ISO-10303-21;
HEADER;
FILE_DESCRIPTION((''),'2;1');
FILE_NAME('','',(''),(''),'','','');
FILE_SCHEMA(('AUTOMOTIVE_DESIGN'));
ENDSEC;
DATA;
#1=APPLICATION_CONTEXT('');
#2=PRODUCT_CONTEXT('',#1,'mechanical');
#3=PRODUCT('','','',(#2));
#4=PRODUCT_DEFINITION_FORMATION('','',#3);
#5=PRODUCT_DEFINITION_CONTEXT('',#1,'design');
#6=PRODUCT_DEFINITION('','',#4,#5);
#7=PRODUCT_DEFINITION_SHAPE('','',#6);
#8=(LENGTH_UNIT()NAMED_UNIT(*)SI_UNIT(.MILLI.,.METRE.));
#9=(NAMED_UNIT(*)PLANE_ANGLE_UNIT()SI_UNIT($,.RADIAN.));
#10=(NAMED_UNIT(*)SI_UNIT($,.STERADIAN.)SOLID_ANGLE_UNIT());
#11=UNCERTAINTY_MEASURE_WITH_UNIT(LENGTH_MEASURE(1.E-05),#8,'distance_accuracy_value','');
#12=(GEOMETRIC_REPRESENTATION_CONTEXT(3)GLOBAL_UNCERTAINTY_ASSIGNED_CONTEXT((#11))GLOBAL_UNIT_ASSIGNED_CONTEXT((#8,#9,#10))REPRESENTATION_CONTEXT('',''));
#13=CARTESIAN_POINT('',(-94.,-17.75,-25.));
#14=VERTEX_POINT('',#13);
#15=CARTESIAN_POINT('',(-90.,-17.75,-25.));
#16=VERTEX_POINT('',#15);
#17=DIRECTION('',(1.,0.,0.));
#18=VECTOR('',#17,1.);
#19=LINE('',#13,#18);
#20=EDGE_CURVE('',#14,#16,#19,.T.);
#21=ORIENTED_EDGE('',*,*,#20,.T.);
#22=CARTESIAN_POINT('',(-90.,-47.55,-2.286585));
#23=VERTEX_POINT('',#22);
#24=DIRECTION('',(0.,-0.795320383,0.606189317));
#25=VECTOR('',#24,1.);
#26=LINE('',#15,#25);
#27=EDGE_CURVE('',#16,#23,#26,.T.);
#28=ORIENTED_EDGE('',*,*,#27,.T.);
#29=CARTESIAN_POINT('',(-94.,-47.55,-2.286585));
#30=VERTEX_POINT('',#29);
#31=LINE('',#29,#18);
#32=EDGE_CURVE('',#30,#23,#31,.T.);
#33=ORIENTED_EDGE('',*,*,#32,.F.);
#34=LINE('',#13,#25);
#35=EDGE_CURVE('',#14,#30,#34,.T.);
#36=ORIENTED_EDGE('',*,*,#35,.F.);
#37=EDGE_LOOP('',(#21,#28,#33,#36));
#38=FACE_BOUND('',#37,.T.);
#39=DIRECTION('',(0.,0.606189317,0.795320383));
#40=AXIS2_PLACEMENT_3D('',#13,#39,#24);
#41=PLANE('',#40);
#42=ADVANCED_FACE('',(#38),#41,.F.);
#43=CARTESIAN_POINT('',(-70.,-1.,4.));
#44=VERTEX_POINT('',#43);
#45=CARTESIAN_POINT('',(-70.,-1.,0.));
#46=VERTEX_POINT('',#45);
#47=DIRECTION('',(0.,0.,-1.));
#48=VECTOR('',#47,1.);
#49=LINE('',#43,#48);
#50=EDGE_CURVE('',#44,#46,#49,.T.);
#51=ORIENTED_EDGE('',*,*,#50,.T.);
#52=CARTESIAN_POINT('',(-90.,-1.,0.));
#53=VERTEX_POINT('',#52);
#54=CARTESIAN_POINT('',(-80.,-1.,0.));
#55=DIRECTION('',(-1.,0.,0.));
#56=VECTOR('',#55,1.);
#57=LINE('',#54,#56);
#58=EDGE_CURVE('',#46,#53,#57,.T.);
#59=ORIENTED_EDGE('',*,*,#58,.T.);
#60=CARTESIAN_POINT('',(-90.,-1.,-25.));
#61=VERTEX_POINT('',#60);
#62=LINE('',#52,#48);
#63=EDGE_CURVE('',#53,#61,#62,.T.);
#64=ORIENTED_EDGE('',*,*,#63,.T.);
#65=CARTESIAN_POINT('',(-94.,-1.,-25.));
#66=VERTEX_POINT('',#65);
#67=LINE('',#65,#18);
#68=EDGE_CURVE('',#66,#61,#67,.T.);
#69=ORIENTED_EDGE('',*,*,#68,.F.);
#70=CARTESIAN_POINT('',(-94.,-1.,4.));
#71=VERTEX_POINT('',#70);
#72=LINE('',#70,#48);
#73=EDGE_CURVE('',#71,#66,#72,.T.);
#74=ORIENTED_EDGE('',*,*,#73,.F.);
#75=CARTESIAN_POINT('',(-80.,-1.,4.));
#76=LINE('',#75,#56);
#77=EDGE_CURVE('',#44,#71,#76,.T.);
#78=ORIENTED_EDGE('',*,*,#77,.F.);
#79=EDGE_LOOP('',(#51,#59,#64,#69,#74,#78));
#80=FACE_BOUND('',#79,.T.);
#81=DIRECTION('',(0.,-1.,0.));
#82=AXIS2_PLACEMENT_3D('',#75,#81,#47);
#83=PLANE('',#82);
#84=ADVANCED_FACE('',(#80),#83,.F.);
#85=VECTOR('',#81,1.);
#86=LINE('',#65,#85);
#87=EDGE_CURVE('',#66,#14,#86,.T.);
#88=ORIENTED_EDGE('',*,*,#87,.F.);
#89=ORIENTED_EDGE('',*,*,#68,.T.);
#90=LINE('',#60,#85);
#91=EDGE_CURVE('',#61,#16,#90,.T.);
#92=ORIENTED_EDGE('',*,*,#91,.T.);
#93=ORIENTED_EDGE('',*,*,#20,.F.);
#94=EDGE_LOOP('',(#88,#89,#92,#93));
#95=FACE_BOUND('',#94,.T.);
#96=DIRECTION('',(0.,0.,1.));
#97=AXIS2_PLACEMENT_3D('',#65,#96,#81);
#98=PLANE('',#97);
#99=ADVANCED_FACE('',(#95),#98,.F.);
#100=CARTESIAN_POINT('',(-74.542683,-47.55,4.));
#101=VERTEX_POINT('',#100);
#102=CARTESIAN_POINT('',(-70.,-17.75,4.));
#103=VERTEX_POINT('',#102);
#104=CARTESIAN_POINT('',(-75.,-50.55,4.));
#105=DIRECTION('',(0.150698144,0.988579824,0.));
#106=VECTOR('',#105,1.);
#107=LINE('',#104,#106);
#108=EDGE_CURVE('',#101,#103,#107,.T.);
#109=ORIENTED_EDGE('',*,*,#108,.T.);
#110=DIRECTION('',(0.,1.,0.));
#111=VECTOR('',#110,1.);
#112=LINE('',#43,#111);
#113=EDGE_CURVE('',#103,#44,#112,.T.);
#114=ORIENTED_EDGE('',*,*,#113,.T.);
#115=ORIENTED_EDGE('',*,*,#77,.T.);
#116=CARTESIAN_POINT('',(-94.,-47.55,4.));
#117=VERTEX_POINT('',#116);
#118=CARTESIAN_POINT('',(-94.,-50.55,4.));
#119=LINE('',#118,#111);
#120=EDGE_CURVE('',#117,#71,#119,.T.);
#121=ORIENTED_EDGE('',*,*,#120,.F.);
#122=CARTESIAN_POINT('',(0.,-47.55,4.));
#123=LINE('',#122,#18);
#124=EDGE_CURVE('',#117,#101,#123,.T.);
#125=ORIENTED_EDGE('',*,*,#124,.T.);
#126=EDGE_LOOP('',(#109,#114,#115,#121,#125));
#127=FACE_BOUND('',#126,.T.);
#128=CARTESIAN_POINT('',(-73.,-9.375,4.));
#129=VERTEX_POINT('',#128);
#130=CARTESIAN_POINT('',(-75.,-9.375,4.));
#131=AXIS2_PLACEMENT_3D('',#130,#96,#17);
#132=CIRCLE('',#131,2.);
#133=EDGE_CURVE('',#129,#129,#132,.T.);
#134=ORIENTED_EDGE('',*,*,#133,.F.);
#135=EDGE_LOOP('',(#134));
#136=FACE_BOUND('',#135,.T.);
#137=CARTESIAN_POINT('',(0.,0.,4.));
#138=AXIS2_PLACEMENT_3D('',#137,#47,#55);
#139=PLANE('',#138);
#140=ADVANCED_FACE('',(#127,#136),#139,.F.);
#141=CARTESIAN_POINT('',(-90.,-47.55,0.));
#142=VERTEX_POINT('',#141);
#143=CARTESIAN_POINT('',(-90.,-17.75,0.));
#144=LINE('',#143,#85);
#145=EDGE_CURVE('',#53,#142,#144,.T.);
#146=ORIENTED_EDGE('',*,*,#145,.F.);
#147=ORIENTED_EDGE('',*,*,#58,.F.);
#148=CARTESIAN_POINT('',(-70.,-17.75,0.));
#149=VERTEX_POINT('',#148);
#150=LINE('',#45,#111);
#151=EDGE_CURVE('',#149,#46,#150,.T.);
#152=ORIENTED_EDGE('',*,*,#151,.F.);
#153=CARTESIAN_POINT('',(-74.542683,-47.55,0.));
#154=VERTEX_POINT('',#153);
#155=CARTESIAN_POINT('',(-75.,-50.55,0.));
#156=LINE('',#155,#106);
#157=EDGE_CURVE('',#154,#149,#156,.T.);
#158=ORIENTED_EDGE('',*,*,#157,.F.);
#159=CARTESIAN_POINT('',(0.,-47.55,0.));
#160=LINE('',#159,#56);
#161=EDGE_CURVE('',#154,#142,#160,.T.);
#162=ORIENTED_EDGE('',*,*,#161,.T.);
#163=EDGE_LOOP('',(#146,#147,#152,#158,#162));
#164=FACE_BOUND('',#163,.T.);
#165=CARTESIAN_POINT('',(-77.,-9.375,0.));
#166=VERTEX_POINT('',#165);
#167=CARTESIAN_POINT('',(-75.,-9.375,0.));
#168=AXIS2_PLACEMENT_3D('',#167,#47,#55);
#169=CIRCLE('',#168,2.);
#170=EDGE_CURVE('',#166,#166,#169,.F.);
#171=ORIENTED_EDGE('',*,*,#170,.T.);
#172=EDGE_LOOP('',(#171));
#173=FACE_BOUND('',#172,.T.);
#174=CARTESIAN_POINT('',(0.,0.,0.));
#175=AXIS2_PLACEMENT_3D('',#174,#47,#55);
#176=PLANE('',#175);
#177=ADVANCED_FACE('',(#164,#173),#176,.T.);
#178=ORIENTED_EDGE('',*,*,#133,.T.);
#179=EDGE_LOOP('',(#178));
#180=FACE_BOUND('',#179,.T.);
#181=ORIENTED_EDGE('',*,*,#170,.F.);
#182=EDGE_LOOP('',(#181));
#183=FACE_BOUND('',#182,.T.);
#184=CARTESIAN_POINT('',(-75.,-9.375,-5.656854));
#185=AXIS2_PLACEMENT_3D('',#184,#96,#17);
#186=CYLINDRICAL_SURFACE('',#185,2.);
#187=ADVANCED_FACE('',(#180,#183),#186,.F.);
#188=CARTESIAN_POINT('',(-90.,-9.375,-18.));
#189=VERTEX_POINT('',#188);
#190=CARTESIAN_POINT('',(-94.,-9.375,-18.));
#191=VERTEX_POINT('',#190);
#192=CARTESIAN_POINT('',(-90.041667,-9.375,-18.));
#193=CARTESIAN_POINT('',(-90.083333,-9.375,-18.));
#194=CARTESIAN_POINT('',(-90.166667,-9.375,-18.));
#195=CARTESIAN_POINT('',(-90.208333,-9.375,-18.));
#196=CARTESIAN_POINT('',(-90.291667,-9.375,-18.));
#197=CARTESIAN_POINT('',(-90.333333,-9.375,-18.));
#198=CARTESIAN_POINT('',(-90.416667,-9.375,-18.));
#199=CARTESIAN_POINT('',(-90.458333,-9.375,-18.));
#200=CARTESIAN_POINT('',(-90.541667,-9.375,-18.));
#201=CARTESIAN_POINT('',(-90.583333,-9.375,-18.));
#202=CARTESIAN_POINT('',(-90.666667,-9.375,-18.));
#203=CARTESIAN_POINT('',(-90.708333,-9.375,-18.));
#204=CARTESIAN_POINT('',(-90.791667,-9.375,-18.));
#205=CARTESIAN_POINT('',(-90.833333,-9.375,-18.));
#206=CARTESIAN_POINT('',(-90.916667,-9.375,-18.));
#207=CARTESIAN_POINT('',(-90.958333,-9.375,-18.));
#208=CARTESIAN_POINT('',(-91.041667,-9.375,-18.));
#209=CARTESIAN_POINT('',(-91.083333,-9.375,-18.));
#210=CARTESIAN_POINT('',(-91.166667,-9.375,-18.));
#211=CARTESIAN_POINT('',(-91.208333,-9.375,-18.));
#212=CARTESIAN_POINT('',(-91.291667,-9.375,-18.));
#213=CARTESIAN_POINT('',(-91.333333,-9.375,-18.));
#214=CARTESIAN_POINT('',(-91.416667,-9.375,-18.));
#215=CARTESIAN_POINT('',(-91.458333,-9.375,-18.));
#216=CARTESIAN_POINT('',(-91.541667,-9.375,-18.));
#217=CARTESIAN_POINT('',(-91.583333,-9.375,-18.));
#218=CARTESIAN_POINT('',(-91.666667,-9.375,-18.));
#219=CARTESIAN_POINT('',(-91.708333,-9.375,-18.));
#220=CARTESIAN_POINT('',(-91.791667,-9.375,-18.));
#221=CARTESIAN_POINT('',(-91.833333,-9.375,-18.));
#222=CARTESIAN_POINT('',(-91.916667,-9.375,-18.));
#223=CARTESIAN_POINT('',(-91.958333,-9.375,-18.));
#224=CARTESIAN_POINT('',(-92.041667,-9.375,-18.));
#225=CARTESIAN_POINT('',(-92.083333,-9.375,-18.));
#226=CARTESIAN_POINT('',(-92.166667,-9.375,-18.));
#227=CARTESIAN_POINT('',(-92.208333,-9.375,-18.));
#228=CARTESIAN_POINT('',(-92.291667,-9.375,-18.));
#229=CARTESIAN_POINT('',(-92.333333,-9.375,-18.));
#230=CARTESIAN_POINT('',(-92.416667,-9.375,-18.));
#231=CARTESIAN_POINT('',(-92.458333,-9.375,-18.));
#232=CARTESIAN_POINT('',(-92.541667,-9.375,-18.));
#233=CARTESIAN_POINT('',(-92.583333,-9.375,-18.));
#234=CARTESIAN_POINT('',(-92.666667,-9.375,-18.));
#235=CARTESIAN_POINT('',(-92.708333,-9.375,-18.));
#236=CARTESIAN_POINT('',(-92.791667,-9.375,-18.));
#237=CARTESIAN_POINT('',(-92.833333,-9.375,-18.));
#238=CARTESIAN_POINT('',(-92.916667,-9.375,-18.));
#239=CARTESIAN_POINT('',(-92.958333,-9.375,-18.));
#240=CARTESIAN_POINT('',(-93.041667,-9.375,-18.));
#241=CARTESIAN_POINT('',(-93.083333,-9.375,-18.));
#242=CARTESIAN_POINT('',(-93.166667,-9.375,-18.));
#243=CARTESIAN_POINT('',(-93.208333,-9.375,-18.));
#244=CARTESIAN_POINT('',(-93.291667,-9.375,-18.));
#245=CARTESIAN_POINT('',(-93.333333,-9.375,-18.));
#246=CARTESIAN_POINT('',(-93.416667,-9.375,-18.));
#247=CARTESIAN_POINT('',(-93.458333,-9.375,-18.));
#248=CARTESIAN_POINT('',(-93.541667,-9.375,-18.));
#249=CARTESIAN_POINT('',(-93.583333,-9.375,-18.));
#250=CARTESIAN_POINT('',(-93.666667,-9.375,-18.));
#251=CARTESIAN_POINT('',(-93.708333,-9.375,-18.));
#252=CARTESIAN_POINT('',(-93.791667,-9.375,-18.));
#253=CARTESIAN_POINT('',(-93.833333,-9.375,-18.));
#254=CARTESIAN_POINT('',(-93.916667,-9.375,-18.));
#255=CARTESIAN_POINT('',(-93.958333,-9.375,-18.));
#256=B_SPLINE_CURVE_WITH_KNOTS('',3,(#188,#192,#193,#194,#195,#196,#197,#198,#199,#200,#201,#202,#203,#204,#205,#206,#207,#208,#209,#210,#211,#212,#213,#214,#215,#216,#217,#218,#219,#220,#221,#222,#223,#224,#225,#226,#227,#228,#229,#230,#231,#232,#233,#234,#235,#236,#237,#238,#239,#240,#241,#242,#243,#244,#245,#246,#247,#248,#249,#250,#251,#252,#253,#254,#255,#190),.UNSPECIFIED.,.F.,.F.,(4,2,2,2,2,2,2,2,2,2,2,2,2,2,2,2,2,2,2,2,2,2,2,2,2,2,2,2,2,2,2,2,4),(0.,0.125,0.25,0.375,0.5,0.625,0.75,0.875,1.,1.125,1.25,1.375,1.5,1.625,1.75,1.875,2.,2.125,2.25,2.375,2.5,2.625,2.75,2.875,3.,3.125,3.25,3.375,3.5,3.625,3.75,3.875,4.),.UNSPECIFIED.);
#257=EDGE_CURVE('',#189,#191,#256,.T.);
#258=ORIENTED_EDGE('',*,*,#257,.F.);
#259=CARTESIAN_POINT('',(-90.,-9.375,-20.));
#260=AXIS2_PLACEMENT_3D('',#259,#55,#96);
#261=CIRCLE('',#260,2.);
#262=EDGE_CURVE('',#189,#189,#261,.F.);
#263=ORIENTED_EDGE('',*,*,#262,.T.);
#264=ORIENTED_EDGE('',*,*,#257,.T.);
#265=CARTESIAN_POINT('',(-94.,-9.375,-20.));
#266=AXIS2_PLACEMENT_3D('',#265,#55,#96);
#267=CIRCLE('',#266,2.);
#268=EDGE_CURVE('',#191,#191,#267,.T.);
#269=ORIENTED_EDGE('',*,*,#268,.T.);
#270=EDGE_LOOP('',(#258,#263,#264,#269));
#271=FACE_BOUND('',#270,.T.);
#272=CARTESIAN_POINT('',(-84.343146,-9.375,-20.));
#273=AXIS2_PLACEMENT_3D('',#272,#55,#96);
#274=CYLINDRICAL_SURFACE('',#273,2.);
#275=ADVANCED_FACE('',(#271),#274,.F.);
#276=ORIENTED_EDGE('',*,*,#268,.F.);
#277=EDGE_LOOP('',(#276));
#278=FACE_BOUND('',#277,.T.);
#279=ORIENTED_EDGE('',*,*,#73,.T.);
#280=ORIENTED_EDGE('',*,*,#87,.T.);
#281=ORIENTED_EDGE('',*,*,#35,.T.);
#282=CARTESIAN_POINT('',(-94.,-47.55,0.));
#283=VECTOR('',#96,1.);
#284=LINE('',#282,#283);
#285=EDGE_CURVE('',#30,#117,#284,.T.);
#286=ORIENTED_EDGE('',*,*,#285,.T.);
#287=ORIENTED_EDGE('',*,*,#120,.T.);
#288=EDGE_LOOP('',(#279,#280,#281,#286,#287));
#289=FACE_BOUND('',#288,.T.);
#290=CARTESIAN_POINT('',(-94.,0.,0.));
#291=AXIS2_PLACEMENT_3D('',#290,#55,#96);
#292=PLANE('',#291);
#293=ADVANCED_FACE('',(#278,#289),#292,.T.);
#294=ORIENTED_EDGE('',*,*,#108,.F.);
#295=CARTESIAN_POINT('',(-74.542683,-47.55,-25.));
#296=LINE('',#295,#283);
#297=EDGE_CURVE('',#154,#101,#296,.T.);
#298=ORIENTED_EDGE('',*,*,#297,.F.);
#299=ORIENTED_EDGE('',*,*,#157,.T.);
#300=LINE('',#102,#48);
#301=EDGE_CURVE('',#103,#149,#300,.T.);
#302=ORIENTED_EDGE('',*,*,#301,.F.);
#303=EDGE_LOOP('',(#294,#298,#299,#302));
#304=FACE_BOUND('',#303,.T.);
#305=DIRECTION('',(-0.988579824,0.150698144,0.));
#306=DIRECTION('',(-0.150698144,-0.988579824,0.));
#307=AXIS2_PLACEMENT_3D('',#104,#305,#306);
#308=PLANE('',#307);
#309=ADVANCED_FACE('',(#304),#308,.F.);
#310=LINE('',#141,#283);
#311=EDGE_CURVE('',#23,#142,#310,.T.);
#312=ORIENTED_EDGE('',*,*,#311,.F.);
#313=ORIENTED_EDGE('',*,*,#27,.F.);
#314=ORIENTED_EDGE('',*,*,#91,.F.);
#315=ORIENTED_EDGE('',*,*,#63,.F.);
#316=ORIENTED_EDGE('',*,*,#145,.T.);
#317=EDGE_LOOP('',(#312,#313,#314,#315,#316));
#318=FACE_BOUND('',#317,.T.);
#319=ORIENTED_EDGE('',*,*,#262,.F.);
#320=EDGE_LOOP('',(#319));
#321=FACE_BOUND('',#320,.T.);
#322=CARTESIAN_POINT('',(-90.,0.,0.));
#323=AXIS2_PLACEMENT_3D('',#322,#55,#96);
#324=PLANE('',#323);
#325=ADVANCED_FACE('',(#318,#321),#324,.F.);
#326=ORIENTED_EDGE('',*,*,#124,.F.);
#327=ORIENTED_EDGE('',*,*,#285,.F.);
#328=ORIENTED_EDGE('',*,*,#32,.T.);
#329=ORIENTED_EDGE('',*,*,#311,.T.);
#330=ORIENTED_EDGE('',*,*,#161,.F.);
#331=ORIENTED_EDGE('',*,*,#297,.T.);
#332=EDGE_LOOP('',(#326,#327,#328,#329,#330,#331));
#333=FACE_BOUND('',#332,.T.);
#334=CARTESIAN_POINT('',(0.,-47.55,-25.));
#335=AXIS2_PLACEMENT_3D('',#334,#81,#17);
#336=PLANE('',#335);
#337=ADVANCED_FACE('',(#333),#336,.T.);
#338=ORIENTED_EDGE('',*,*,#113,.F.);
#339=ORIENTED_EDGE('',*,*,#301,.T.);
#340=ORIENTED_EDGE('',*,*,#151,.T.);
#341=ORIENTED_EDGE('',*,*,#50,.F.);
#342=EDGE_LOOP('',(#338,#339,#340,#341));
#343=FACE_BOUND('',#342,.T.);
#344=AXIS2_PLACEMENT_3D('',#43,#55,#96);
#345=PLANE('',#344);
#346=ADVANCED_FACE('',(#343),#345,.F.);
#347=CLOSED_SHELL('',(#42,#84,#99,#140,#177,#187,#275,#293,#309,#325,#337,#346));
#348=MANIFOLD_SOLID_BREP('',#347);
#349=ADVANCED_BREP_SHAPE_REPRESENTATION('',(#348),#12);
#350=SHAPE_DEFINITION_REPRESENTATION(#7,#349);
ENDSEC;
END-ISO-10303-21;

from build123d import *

# Parameters (mm, degrees)
BOSS_EXTRUDE1_DEPTH = 4
BOSS_EXTRUDE2_DEPTH = 4
CUT_EXTRUDE1_DEPTH  = 111.599740054
SKETCH4_R           = 2
CUT_EXTRUDE2_DEPTH  = 4
SKETCH5_R           = 2
CUT_EXTRUDE3_DEPTH  = 4


with BuildPart() as part:
    # Sketch1 → Boss-Extrude1 (new body)
    with BuildSketch(Plane.XY):
        Polygon((-90, -50.55), (-75, -50.55), (-70, -17.75), (-70, -1), (-80, -1), (-90, -1), (-90, -17.75), align=None)
    extrude(amount=BOSS_EXTRUDE1_DEPTH)

    # Sketch2 → Boss-Extrude2 (add)
    with BuildSketch(Plane.ZY.offset(90)):
        Polygon((0, -1), (-25, -1), (-25, -17.75), (0, -50.55), (4, -50.55), (4, -1), align=None)
    extrude(amount=BOSS_EXTRUDE2_DEPTH)

    # Sketch3 → Cut-Extrude1 (cut, through all)
    with BuildSketch(Plane.XY.offset(4)):
        Polygon((-94, -49.55), (-94, -50.55), (-75, -50.55), (-74.542682927, -47.55), (-94, -47.55), align=None)
    extrude(amount=-CUT_EXTRUDE1_DEPTH, mode=Mode.SUBTRACT)

    # Sketch4 → Cut-Extrude2 (cut)
    with BuildSketch(Plane.XY.offset(4)):
        with Locations((-75, -9.375)):
            Circle(SKETCH4_R)
    extrude(amount=-CUT_EXTRUDE2_DEPTH, mode=Mode.SUBTRACT)

    # Sketch5 → Cut-Extrude3 (cut)
    with BuildSketch(Plane.ZY.offset(94)):
        with Locations((-20, -9.375)):
            Circle(SKETCH5_R)
    extrude(amount=-CUT_EXTRUDE3_DEPTH, mode=Mode.SUBTRACT)


solid = part.part
